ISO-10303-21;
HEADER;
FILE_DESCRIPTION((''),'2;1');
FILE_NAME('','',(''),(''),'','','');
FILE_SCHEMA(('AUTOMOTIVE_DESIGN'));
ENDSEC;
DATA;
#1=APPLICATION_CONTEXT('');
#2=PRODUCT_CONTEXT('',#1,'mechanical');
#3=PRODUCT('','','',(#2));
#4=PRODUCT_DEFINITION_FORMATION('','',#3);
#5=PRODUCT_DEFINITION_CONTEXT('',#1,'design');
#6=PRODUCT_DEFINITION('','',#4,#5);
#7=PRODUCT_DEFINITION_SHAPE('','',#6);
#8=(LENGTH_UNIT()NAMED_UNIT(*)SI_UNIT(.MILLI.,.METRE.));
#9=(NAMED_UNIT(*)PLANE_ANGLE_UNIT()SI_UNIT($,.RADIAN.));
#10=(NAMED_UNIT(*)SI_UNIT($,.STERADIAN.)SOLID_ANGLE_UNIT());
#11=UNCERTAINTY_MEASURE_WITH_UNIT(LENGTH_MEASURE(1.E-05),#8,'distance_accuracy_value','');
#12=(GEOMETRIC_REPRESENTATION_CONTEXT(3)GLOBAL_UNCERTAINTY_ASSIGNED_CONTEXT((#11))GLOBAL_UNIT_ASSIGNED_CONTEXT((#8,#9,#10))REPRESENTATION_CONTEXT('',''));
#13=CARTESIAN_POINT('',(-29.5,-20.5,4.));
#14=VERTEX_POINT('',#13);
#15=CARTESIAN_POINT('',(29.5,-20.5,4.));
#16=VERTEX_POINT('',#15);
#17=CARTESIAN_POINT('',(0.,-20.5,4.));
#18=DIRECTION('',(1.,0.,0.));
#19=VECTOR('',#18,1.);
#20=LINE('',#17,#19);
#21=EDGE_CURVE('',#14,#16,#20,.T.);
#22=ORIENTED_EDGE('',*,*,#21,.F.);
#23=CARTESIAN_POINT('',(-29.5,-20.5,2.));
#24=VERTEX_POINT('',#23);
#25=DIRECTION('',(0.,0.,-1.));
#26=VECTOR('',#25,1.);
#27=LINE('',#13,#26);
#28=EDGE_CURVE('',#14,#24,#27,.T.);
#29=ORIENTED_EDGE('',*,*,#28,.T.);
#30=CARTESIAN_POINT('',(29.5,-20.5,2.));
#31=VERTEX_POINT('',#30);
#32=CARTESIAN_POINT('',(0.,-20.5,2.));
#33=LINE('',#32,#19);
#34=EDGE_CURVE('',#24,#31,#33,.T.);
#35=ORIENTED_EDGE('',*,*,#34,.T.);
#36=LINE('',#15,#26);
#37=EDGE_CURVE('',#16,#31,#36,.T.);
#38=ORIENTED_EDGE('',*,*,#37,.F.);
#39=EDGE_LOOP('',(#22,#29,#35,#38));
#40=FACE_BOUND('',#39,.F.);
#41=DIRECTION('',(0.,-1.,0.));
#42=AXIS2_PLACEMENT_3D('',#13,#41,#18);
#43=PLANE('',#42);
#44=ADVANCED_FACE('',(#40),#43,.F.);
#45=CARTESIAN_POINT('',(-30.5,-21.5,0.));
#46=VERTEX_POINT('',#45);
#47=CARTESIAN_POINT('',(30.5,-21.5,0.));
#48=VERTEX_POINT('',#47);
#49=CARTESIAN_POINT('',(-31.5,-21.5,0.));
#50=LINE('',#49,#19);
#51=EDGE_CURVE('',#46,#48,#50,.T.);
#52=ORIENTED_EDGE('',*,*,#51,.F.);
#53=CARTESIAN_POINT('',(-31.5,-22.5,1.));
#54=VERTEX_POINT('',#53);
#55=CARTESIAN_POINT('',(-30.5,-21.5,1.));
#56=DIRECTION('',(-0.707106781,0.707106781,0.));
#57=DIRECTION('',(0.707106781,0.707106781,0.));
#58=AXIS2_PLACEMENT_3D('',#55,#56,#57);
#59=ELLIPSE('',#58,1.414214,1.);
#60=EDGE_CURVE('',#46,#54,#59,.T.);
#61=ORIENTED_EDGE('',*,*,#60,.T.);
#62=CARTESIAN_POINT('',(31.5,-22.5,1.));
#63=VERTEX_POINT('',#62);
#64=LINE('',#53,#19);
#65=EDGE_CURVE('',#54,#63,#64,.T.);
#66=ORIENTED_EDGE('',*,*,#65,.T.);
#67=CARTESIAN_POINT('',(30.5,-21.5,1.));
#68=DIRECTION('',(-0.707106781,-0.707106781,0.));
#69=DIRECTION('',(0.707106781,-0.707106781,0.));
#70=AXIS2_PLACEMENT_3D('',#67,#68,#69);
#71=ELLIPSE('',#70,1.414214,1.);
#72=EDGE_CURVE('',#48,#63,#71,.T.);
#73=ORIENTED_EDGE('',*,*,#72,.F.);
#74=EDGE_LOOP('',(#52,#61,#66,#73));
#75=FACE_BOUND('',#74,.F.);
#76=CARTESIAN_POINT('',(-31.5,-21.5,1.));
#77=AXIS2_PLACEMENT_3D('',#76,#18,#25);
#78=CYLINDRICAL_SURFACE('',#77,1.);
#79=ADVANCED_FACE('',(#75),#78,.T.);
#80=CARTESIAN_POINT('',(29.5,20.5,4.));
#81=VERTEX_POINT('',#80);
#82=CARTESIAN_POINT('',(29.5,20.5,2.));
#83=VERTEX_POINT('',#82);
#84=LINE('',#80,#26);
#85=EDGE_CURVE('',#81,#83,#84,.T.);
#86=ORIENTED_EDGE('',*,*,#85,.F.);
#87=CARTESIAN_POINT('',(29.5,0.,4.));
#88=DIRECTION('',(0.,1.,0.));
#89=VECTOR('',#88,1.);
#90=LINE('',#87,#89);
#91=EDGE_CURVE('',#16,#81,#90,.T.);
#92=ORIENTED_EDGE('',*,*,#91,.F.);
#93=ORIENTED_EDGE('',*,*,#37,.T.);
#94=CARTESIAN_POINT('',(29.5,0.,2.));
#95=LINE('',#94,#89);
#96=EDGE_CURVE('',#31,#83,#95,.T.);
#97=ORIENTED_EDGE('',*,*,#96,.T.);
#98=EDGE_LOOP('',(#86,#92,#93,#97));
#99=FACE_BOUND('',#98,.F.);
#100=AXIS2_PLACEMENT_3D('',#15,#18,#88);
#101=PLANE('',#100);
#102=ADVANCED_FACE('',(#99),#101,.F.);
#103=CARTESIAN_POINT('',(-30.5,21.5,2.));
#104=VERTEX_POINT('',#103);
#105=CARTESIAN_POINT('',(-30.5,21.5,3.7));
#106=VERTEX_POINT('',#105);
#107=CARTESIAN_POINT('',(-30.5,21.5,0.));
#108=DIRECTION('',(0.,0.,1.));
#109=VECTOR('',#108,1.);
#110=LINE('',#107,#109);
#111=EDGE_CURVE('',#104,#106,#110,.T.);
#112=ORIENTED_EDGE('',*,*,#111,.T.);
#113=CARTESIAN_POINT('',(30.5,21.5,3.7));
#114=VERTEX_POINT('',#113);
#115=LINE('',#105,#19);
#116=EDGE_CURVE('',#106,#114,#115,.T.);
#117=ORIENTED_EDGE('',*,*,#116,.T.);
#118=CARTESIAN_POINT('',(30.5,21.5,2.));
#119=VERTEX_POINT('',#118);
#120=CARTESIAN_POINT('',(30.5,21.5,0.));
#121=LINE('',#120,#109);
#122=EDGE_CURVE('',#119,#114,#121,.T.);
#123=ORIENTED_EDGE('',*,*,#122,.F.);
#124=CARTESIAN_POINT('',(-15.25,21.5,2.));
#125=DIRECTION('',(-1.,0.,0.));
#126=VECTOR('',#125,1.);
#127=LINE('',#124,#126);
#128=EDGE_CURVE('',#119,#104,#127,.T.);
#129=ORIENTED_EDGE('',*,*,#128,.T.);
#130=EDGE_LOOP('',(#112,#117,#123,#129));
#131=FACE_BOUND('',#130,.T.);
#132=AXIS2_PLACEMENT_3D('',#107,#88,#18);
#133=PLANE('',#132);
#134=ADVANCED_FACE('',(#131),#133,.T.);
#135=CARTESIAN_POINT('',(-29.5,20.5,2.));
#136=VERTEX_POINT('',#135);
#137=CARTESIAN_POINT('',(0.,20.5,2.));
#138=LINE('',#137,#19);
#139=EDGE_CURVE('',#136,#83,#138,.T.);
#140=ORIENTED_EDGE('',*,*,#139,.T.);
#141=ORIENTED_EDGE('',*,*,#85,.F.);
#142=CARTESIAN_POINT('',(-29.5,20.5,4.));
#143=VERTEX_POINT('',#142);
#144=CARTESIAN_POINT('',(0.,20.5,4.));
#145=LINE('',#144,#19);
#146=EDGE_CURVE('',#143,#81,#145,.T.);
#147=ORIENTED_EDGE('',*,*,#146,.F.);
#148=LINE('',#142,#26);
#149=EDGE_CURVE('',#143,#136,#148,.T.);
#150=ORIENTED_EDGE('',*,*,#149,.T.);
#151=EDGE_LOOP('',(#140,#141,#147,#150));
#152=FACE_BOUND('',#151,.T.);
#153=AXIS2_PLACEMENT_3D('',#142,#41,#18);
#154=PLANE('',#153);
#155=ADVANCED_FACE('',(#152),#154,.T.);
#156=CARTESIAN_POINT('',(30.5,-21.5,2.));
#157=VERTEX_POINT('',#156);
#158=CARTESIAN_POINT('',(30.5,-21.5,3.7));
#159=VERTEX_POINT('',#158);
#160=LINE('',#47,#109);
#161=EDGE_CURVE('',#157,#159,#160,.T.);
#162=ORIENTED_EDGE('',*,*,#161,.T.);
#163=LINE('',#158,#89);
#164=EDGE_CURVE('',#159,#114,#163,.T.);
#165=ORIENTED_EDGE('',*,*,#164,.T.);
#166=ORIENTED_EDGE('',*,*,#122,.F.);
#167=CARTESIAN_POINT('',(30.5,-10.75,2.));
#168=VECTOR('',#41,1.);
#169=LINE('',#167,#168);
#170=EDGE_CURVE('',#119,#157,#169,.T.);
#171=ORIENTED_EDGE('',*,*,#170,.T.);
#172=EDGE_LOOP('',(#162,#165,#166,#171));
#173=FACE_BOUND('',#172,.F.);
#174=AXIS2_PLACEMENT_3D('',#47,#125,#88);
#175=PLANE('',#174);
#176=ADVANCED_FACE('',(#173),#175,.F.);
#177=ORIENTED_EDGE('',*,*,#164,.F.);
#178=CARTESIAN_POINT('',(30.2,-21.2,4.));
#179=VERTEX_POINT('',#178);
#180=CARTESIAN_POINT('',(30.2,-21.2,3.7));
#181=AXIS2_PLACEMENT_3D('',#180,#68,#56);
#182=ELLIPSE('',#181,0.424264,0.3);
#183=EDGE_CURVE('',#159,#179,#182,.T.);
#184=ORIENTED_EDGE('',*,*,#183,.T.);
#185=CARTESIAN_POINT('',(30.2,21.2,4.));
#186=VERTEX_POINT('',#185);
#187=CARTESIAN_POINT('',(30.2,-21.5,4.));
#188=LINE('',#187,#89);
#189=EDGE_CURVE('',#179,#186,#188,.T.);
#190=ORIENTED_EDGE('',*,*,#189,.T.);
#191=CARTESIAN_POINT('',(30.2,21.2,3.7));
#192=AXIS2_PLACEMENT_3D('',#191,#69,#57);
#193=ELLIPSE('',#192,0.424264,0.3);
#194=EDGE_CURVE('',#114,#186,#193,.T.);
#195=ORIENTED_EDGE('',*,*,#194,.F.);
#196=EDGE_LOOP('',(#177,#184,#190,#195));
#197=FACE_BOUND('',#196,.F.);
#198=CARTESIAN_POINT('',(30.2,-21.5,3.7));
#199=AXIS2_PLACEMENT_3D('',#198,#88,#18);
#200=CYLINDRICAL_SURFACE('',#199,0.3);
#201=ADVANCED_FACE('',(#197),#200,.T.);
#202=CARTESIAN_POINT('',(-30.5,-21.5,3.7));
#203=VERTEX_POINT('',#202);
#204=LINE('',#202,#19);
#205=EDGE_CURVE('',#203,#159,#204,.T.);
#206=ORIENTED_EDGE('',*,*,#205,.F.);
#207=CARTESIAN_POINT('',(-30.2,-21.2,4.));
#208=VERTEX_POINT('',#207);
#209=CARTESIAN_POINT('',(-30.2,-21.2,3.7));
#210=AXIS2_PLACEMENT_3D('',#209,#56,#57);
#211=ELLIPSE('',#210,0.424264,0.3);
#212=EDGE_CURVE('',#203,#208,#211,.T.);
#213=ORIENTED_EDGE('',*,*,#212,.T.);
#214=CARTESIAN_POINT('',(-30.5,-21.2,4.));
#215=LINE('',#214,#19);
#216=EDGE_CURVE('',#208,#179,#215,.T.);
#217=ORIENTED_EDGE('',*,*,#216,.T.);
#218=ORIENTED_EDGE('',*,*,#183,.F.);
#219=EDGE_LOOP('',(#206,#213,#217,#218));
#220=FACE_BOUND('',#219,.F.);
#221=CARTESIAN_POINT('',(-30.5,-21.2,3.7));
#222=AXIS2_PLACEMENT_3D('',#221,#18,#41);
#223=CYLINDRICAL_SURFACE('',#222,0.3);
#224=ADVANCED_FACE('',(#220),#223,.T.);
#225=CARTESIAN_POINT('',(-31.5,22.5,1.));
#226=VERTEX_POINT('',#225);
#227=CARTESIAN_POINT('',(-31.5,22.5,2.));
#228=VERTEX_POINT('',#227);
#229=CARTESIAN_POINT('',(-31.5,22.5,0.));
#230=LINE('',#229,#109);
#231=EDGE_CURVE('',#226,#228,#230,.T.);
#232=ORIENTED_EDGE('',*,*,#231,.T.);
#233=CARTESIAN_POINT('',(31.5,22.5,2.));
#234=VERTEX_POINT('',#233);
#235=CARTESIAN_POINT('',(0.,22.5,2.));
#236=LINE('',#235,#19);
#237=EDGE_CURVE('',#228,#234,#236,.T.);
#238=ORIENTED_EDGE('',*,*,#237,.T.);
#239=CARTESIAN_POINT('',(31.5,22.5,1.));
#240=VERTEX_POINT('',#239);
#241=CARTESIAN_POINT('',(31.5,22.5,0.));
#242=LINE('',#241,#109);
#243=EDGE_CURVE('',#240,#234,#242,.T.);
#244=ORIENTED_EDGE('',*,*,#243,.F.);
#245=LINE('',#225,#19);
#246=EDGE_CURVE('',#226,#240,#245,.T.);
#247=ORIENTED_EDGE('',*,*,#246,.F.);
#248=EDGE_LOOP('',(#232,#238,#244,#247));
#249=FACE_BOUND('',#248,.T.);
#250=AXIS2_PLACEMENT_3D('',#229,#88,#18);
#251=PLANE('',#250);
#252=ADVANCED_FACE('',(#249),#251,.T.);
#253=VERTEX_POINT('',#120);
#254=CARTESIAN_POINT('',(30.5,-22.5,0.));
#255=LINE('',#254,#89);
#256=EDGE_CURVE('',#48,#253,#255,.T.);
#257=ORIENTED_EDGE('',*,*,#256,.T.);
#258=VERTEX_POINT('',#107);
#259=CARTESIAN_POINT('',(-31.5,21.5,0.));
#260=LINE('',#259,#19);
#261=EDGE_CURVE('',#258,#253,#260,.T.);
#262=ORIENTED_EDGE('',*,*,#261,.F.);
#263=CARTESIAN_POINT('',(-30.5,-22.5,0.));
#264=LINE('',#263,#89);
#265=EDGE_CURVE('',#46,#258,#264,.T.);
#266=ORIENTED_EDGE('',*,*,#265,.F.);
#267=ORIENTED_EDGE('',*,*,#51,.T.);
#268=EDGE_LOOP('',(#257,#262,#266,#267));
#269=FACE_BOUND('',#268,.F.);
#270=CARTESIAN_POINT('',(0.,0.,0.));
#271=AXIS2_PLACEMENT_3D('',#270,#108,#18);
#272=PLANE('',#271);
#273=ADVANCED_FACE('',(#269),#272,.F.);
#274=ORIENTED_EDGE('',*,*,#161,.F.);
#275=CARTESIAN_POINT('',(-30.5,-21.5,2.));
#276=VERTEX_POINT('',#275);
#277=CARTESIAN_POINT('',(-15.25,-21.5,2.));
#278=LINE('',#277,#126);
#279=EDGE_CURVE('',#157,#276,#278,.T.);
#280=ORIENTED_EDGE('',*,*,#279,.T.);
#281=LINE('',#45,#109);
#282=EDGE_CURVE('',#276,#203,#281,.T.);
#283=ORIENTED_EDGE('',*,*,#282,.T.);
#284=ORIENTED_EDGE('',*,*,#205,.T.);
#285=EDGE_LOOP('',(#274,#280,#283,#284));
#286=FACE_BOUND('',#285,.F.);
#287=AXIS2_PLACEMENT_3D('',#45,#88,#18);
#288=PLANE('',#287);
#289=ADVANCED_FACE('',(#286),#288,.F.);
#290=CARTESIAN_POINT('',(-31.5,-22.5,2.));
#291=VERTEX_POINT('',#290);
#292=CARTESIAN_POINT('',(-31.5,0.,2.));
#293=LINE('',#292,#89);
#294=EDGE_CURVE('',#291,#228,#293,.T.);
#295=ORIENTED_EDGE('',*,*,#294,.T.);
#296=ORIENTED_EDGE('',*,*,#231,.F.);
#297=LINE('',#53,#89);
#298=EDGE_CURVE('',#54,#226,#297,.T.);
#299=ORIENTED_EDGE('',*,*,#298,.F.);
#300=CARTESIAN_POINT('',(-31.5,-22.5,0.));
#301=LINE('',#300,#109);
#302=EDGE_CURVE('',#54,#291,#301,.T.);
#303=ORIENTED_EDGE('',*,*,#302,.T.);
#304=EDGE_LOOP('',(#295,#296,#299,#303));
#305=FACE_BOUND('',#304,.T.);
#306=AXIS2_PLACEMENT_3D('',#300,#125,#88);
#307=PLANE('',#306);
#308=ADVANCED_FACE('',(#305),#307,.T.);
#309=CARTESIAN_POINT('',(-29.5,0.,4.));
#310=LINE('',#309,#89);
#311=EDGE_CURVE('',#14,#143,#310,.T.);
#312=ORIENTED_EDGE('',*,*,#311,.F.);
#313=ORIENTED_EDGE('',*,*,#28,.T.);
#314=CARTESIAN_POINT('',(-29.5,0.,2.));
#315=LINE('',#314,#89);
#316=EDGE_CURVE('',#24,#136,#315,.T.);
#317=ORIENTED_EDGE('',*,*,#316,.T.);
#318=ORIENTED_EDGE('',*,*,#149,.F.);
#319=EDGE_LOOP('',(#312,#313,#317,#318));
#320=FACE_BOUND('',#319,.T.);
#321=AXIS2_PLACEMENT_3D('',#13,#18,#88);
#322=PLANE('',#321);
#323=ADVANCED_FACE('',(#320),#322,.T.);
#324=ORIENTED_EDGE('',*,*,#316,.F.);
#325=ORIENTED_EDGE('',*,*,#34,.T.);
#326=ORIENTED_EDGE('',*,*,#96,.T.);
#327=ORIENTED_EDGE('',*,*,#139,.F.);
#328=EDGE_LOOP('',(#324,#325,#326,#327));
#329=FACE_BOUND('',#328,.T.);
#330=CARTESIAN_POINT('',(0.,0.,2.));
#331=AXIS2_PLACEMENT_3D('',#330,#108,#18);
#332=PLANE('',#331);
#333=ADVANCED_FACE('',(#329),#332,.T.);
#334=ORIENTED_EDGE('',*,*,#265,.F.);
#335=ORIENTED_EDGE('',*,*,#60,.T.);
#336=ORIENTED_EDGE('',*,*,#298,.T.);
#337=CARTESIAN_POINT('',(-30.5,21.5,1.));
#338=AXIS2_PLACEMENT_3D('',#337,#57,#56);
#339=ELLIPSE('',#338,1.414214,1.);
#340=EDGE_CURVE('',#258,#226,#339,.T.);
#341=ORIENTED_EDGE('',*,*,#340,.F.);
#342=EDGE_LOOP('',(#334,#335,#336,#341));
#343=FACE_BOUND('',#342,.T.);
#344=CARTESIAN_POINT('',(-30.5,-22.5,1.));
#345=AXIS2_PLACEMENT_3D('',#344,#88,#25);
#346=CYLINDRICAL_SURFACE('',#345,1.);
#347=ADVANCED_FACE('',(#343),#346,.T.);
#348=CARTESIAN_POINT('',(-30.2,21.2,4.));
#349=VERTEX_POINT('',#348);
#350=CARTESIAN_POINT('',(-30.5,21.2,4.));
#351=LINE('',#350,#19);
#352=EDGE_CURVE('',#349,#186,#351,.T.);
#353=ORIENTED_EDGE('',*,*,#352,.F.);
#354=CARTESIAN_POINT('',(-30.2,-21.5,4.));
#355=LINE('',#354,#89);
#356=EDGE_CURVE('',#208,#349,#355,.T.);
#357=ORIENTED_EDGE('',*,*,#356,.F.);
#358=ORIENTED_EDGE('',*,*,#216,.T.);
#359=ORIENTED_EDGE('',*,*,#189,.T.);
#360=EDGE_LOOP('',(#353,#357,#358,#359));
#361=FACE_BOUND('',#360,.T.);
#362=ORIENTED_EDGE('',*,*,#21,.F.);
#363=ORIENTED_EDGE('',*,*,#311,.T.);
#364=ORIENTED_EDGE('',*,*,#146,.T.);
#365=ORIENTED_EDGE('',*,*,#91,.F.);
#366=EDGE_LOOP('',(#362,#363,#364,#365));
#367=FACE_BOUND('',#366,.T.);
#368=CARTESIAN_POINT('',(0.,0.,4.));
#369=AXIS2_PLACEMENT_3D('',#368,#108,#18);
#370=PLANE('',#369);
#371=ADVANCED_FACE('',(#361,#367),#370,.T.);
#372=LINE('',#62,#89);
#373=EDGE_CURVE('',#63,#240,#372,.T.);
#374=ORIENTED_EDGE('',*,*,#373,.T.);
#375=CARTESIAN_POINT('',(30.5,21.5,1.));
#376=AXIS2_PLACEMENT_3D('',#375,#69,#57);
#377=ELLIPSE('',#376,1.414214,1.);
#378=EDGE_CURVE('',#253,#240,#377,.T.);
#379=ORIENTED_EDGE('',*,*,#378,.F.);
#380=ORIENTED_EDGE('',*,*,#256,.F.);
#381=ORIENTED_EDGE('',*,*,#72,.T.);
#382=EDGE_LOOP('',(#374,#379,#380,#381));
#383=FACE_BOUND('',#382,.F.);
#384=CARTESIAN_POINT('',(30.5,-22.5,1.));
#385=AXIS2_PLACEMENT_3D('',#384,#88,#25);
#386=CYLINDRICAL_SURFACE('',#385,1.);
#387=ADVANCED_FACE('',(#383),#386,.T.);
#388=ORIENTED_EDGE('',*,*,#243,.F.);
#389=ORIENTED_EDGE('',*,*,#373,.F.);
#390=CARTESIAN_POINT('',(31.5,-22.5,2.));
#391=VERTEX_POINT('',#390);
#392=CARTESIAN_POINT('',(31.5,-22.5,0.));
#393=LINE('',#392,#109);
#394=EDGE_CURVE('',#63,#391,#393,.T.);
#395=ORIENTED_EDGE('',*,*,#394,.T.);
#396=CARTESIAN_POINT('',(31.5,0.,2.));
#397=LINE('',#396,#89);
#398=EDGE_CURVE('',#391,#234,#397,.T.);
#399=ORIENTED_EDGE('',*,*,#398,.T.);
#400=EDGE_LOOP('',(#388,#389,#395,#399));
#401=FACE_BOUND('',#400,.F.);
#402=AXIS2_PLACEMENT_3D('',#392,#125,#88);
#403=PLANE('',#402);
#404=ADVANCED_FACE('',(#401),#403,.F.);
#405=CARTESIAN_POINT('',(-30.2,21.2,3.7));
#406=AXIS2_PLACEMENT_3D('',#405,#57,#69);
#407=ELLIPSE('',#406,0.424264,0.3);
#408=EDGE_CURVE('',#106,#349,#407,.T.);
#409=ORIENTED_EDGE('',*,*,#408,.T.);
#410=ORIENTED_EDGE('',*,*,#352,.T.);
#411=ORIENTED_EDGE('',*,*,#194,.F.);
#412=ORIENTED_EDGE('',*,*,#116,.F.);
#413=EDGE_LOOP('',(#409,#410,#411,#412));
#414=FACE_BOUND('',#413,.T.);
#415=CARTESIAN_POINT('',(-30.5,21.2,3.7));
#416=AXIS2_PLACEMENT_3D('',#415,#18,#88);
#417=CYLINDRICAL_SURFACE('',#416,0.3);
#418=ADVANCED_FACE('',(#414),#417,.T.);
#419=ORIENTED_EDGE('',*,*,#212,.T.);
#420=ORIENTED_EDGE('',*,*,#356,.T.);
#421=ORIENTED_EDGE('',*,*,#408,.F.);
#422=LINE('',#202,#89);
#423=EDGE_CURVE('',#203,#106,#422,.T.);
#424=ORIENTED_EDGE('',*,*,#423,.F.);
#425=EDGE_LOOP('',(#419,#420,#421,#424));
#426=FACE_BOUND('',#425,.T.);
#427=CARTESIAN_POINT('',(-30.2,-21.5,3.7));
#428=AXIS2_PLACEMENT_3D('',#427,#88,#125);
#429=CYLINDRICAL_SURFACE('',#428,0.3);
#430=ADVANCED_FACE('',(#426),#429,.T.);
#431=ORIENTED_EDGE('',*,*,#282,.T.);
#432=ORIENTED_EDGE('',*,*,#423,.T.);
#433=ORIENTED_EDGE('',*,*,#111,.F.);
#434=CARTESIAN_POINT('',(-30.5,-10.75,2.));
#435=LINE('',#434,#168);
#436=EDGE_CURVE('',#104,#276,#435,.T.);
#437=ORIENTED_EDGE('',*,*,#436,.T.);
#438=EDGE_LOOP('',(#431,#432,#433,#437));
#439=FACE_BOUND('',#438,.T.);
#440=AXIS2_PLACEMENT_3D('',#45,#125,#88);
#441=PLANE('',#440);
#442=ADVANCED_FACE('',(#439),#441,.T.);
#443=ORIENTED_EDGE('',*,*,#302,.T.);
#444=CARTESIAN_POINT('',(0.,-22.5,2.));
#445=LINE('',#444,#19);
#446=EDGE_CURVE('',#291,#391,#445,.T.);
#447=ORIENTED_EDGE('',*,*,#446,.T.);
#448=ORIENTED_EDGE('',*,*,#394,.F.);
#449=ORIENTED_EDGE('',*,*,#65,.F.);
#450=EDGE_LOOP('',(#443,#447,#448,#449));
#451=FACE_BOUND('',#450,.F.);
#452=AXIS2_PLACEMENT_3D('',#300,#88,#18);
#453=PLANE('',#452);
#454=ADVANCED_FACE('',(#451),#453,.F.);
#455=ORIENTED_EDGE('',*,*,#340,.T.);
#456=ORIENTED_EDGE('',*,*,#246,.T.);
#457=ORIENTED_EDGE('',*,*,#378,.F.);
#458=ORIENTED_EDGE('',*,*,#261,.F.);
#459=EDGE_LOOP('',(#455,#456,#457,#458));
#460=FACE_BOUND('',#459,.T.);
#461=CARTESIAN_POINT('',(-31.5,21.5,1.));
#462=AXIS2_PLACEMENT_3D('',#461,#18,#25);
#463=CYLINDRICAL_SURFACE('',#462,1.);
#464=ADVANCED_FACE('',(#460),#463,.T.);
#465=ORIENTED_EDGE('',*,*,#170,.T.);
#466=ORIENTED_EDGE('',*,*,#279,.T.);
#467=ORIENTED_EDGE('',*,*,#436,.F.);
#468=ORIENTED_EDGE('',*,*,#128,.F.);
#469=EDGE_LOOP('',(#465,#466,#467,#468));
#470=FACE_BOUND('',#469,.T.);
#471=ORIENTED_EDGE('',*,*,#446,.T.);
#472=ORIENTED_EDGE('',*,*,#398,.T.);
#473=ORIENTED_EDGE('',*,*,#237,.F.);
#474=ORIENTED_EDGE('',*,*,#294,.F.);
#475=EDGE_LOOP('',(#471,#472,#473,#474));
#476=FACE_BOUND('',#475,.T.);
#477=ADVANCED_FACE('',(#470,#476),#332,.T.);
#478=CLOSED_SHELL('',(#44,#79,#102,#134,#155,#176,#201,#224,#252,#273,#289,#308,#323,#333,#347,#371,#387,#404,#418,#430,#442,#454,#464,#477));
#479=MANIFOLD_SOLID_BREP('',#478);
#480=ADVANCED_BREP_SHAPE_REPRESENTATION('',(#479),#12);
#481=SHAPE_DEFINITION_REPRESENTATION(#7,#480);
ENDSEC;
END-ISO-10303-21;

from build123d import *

# Parameters (mm, degrees)
SKETCH_W     = 63
SKETCH_H     = 45
PAD_DEPTH    = 2
SKETCH002_W  = 61
SKETCH002_H  = 43
PAD001_DEPTH = 4
SKETCH003_W  = 59
SKETCH003_H  = 41
POCKET_DEPTH = 2
FILLET_R     = 1
FILLET001_R  = 0.3


with BuildPart() as part:
    # Sketch → Pad (new body)
    with BuildSketch(Plane.XY):
        Rectangle(SKETCH_W, SKETCH_H)
    extrude(amount=PAD_DEPTH)

    # Sketch002 → Pad001 (join)
    with BuildSketch(Plane.XY):
        Rectangle(SKETCH002_W, SKETCH002_H)
    extrude(amount=PAD001_DEPTH)

    # Sketch003 → Pocket (cut)
    with BuildSketch(Plane.XY.offset(4)):
        Rectangle(SKETCH003_W, SKETCH003_H)
    extrude(amount=-POCKET_DEPTH, mode=Mode.SUBTRACT)

    # Fillet
    fillet_edges = [part.edges().sort_by_distance(p)[0] for p in [
        (0, -22.5, 0),
        (31.5, 0, 0),
        (-31.5, 0, 0),
        (0, 22.5, 0),
    ]]
    fillet(fillet_edges, radius=FILLET_R)

    # Fillet001
    fillet001_edges = [part.edges().sort_by_distance(p)[0] for p in [
        (30.5, 0, 4),
        (0, 21.5, 4),
        (0, -21.5, 4),
        (-30.5, 0, 4),
    ]]
    fillet(fillet001_edges, radius=FILLET001_R)


solid = part.part
